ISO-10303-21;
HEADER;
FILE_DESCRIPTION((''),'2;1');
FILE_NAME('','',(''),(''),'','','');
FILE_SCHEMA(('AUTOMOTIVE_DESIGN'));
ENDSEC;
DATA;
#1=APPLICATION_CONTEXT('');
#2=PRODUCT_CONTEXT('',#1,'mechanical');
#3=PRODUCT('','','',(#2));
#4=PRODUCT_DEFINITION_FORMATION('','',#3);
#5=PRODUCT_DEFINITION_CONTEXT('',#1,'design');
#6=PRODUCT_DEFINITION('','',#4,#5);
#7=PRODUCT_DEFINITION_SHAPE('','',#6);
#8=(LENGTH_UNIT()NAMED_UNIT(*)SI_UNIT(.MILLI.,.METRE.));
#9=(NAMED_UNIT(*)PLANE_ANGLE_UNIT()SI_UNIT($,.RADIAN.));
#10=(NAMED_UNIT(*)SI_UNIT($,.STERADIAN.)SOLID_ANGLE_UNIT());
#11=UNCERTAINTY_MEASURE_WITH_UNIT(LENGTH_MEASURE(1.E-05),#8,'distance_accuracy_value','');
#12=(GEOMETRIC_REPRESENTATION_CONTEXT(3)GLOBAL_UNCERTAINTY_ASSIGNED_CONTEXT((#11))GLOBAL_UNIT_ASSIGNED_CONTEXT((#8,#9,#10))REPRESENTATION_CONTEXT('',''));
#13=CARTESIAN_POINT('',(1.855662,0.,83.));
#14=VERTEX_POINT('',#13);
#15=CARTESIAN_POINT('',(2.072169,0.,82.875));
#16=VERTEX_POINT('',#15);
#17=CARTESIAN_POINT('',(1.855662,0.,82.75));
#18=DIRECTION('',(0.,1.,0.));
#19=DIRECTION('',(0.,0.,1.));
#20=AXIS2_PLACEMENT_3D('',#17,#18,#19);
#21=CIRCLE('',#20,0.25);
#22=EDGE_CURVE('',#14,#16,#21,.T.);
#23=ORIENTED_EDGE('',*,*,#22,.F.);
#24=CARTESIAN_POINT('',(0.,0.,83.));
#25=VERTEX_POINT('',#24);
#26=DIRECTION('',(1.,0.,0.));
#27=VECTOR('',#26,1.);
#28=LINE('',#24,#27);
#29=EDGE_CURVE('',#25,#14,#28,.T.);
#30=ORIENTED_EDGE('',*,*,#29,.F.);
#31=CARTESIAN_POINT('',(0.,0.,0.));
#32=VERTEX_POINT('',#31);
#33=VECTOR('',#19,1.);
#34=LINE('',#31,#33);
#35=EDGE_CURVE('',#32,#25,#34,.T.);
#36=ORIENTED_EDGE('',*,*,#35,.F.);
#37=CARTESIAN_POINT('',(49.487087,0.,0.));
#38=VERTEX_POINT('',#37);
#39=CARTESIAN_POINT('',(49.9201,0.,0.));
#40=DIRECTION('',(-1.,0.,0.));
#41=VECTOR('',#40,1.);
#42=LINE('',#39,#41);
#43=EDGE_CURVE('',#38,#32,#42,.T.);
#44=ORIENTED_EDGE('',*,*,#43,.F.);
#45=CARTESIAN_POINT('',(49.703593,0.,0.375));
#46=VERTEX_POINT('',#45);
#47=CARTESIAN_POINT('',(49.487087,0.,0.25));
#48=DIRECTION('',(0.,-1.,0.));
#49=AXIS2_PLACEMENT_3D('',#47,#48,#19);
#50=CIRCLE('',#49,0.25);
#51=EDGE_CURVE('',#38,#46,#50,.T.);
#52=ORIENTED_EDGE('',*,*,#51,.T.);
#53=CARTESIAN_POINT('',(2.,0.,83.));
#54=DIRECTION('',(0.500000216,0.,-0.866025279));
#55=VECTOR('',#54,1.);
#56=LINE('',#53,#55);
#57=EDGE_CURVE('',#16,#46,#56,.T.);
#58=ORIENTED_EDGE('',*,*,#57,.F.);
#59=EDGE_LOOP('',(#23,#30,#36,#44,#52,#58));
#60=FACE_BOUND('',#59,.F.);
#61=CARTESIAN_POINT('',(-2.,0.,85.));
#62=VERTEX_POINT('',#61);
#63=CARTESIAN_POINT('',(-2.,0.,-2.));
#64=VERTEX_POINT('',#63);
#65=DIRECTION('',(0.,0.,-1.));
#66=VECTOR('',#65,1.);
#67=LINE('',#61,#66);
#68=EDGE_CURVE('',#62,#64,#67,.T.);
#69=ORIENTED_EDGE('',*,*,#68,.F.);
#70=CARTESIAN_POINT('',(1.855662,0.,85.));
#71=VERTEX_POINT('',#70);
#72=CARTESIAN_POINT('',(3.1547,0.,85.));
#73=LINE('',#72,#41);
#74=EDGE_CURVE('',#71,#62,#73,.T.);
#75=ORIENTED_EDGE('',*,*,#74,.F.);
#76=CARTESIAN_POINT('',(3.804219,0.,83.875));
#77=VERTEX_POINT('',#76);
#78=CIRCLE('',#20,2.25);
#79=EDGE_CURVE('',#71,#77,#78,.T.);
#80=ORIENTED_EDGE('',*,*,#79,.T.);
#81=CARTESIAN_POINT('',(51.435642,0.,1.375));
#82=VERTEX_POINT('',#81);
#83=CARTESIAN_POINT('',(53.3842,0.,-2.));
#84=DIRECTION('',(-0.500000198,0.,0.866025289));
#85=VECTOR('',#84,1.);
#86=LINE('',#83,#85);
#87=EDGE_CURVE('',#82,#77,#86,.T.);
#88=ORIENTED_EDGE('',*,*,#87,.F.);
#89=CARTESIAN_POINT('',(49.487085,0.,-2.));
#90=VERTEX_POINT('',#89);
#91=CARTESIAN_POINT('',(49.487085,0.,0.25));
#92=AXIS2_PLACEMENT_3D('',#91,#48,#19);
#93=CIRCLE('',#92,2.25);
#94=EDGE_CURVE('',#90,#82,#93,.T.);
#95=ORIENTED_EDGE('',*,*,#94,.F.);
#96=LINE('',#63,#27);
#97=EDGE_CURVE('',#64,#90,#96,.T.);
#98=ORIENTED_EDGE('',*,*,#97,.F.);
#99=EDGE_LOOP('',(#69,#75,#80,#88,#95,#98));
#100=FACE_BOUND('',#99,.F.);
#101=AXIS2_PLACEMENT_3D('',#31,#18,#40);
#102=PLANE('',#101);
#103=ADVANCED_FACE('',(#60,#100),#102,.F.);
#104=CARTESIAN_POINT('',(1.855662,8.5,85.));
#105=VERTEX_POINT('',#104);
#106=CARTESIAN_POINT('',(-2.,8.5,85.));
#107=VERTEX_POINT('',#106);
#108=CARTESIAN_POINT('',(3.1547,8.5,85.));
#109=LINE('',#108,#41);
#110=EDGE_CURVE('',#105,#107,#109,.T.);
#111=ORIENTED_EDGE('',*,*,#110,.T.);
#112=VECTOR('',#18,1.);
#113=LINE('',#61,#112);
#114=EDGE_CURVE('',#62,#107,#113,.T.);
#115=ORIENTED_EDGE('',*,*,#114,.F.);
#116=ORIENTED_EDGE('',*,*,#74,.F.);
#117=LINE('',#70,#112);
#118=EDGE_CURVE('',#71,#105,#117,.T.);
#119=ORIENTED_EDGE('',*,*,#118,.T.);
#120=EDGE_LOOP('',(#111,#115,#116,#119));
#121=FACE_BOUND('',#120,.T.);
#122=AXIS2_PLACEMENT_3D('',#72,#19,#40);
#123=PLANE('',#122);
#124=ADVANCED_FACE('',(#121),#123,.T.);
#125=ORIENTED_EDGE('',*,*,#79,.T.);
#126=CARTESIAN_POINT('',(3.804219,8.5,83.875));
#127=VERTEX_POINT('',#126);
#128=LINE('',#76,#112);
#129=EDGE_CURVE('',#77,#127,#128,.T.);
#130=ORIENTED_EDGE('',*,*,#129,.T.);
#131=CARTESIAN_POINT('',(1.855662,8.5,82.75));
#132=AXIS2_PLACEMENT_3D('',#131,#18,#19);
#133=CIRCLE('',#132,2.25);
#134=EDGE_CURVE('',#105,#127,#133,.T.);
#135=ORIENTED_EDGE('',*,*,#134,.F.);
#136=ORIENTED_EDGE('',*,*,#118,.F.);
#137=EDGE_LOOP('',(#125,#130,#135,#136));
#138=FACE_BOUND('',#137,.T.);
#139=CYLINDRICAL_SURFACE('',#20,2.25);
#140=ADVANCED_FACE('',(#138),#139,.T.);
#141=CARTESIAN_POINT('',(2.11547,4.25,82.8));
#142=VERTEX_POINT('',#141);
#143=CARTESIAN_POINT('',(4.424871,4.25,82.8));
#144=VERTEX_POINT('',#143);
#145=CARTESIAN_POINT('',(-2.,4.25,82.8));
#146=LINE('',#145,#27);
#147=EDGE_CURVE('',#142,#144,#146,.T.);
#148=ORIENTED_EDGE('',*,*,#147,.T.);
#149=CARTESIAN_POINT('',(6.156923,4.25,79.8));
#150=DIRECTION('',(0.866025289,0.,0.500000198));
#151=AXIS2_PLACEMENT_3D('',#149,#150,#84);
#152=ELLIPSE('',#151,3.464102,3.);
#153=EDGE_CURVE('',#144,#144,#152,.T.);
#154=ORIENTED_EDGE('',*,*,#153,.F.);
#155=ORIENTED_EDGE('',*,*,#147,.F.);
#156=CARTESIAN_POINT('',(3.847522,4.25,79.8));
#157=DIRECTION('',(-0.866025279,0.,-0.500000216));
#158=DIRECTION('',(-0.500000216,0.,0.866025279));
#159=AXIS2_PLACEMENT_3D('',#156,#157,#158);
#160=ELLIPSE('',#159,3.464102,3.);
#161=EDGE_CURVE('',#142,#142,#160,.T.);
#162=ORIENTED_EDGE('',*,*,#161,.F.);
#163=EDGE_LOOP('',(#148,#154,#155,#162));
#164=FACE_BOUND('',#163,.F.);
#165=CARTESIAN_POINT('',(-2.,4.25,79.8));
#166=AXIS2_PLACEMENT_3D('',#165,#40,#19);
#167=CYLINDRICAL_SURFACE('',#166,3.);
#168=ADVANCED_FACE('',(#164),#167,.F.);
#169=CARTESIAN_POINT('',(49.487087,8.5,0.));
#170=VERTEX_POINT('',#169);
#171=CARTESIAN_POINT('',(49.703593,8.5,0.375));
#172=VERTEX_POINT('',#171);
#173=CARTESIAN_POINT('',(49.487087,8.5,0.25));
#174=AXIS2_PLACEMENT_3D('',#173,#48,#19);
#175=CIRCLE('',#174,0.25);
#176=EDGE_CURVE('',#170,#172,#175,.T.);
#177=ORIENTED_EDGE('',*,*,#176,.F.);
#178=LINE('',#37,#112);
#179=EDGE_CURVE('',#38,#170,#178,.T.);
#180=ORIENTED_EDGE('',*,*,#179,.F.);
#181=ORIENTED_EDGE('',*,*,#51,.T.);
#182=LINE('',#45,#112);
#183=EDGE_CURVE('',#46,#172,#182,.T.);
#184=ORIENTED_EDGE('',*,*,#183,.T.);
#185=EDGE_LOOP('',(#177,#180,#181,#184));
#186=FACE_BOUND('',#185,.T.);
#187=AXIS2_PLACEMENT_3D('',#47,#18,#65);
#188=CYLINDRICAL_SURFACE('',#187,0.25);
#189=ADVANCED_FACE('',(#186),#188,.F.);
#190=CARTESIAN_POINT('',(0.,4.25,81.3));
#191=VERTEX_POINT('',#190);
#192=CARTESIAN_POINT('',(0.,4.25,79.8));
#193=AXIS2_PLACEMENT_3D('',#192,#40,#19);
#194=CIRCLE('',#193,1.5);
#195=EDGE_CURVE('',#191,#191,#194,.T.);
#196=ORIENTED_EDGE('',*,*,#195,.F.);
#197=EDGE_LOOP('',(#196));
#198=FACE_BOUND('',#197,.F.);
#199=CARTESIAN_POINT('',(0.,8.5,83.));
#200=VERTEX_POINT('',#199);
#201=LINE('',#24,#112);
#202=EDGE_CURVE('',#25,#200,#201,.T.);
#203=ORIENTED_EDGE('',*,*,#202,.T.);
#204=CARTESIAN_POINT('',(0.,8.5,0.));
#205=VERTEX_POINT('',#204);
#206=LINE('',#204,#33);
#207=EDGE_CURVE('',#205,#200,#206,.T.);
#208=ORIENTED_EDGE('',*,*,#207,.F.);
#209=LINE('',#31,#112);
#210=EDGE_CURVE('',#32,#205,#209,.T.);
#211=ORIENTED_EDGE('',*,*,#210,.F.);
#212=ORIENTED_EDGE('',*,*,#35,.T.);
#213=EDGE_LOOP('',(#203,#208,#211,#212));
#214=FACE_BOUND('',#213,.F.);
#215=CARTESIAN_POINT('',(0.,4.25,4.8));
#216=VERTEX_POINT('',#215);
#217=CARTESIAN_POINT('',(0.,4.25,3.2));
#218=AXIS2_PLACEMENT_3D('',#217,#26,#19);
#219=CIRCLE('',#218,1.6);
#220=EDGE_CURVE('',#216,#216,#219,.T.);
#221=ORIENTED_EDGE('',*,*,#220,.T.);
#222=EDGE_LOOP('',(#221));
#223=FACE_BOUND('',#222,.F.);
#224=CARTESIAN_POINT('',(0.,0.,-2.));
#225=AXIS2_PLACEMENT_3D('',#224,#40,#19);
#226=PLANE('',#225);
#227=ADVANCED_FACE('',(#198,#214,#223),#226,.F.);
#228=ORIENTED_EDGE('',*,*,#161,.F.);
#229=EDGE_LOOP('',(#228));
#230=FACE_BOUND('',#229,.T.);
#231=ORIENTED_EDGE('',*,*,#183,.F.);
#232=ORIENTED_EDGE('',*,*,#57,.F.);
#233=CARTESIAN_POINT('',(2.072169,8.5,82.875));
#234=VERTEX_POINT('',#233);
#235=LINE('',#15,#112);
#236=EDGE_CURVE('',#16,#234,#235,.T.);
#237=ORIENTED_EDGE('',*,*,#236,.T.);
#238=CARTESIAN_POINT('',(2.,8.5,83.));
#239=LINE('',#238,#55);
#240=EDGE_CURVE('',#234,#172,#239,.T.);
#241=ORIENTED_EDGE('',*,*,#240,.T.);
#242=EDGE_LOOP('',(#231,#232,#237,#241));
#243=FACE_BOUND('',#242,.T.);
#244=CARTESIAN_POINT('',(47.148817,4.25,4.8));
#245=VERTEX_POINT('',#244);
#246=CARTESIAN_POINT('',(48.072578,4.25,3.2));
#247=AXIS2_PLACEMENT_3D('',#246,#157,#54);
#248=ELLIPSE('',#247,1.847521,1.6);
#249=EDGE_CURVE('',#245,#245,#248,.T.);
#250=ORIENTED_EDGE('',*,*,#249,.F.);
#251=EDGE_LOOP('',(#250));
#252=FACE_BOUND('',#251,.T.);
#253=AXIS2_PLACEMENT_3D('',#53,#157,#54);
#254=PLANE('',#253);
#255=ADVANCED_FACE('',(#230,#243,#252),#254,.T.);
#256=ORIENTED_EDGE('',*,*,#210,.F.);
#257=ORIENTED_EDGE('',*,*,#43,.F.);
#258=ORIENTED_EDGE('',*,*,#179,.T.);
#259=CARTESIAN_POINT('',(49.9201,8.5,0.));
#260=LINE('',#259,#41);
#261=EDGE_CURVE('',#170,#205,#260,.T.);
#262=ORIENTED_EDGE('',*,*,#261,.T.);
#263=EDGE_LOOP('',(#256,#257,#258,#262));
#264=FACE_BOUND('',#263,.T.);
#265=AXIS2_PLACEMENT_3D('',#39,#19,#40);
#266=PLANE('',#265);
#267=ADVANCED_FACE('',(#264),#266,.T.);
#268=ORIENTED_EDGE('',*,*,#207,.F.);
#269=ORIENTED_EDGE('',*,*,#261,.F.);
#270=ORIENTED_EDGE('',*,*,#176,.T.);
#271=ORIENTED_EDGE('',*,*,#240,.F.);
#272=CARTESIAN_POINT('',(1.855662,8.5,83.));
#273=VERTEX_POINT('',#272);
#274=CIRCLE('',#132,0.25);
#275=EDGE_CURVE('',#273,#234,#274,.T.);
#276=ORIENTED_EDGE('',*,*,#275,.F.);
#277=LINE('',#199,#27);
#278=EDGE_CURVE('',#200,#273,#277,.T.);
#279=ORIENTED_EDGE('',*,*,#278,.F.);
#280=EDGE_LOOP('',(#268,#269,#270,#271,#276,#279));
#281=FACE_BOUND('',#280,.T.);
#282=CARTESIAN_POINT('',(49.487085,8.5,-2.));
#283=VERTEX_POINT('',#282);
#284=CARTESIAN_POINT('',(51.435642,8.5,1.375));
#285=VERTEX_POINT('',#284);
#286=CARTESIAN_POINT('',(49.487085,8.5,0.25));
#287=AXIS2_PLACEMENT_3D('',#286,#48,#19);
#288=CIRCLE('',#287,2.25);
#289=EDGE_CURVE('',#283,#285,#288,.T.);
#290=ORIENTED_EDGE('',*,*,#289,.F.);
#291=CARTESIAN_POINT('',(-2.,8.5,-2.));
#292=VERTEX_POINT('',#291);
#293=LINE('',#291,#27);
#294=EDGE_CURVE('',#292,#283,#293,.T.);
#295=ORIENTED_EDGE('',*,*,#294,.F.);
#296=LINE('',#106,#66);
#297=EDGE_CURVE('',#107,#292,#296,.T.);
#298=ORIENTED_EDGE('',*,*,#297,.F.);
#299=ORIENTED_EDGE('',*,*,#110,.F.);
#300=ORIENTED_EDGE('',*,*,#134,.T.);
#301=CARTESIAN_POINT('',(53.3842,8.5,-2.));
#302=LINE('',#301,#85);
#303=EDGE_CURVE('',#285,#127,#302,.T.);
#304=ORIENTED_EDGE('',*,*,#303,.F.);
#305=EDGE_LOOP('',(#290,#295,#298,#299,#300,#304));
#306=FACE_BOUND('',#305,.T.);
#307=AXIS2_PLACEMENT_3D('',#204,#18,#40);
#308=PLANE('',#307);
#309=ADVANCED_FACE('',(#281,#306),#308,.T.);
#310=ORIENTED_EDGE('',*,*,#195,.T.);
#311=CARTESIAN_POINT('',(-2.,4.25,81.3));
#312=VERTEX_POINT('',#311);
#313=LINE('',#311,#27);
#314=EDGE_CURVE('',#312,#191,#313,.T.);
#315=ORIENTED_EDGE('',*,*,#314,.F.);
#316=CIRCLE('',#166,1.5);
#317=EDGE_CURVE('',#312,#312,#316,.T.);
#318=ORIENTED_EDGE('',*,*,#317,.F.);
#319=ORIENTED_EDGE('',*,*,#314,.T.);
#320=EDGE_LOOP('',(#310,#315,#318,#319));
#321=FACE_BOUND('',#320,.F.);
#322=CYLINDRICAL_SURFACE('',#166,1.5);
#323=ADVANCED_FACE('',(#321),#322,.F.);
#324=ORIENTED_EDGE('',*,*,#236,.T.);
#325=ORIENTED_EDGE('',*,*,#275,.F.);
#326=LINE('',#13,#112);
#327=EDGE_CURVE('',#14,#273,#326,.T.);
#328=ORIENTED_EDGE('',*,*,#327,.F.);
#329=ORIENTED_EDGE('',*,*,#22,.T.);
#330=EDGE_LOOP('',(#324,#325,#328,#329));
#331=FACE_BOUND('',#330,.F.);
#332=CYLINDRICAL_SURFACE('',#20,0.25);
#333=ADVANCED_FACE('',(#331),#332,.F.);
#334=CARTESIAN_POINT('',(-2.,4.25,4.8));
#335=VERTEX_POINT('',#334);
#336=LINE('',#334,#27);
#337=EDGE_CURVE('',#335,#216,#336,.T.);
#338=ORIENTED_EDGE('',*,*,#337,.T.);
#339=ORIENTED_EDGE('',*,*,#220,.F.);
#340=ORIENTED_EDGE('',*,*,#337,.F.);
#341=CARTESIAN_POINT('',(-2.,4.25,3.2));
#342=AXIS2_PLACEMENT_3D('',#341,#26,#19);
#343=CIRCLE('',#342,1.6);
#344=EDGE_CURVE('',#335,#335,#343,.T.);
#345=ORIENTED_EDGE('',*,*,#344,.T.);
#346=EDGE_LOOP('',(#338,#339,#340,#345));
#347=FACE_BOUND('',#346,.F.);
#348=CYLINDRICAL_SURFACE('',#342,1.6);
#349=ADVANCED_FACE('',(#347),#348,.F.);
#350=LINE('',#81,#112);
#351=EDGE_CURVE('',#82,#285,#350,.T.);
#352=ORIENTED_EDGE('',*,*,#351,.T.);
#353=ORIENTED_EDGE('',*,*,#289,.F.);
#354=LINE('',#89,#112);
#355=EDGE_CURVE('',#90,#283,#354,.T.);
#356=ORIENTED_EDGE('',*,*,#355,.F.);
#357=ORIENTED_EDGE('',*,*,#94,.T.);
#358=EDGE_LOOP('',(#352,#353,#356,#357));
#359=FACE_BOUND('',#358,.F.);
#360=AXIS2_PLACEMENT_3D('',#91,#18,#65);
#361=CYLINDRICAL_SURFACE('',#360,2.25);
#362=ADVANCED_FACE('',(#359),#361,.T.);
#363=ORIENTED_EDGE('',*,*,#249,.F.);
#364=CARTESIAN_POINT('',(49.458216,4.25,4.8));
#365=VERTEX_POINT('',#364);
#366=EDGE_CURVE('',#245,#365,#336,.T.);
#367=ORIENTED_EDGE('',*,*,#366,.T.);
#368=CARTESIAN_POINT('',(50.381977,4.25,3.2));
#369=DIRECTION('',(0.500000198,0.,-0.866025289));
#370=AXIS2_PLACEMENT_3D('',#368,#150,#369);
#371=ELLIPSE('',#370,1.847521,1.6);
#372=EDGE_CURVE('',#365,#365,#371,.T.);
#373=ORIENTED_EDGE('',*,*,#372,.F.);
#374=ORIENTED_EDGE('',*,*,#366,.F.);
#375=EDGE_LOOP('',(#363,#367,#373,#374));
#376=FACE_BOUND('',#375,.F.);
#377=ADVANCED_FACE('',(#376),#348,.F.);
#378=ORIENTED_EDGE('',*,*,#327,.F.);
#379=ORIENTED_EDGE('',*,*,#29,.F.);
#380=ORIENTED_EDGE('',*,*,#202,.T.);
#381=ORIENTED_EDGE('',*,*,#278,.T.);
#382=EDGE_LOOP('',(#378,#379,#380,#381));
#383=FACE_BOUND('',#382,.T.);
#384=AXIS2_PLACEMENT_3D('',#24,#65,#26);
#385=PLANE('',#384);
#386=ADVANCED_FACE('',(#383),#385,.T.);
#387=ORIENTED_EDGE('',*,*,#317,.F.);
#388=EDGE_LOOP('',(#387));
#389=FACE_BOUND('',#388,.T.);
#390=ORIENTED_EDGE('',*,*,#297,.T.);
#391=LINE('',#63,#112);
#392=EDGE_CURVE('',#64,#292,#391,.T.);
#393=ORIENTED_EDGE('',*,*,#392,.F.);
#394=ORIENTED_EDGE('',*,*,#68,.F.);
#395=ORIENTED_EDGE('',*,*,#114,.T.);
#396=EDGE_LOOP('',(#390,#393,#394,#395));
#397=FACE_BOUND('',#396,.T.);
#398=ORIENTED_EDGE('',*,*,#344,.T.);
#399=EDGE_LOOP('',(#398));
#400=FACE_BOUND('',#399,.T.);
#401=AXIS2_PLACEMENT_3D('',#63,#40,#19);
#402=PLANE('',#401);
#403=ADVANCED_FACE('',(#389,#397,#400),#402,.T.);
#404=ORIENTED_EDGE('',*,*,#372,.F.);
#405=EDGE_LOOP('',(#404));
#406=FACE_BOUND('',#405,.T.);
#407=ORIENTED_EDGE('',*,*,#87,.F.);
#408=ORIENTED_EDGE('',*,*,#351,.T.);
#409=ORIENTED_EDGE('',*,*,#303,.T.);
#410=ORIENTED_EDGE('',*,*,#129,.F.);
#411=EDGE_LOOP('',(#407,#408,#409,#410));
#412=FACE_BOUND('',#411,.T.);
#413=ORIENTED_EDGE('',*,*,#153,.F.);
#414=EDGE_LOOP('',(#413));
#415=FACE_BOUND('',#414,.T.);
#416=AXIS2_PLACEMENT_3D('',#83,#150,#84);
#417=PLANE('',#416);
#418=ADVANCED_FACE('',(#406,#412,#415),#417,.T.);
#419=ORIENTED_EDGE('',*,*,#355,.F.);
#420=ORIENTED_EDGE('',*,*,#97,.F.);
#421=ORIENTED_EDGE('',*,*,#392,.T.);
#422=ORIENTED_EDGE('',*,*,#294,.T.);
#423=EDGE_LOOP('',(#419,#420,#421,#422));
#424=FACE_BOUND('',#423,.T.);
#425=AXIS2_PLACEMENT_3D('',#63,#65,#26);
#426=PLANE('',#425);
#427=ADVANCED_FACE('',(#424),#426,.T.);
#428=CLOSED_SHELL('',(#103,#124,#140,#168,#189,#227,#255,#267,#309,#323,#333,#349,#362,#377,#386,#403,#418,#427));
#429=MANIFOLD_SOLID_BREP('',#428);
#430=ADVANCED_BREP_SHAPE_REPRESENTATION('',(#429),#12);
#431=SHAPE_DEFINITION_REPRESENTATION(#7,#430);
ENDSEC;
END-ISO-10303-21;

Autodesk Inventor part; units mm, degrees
ref_plane "YZ Plane" through (0, 0, 0) normal (1, 0, 0) x (0, 1, 0)
ref_plane "XZ Plane" through (0, 0, 0) normal (0, 1, 0) x (-1, 0, 0)
ref_plane "XY Plane" through (0, 0, 0) normal (0, 0, 1) x (1, 0, 0)
sketch "Náčrt1" plane through (0, 0, 0) normal (0, 1, 0) x (-1, 0, 0)
  line L0 (0, 0) -> (0, 83)
  line L1 (0, 83) -> (-2, 83)
  line L2 (-2, 83) -> (-49.9201, 0)
  line L3 (-49.9201, 0) -> (0, 0)
  line L4 (2, 85) -> (2, -2)
  line L5 (2, -2) -> (-53.3842, -2)
  line L6 (-53.3842, -2) -> (-3.1547, 85)
  line L7 (-3.1547, 85) -> (2, 85)
  dimension "d0" = 30
  dimension "d1" = 2
  dimension "d2" = 83
  dimension "d3" = 49.9201
  dimension "d4" = 2
extrude "Vysunutí1" add sketch "Náčrt1" along normal blind 8.5
sketch "Náčrt2" plane through (-2, 0, -2) normal (-1, 0, 0) x (0, 0, 1)
  line L0 (0, 0) -> (87, 0) projected
  line L1 (87, 0) -> (87, 8.5) projected
  line L2 (0, 8.5) -> (87, 8.5) projected
  line L3 (0, 0) -> (0, 8.5) projected
  line L4 (0, 4.25) -> (87, 4.25) construction
  circle A0 centre (5.2, 4.25) radius 1.5
  circle A1 centre (81.8, 4.25) radius 1.5
  line L5 (43.5, 8.5) -> (43.5, 0) construction
  circle A2 centre (5.2, 4.25) radius 3
  circle A3 centre (81.8, 4.25) radius 3
  point P0 (2, 0)
  dimension "d10" = 3
  dimension "d11" = 38.3
  dimension "d12" = 76.6
  dimension "d13" = 6
hole "Díra1" at (-2, 4.25, 79.8) at (-2, 4.25, 3.2) direction (1, 0, 0) diameter 3.2 end through all
extrude "Vysunutí2" cut sketch "Náčrt2" against normal blind 11.25 contours A3
extrude "Vysunutí3" add sketch "Náčrt2" against normal up to surface (2 mm away) contours A3
fillet "Zaoblení1" radius 2.25 2 edges at (53.3842, 4.25, -2) (3.1547, 4.25, 85)
fillet "Zaoblení1" radius 0.25 2 edges at (49.9201, 4.25, 0) (2, 4.25, 83)
properties part number "FL-LapTimer-Foot"
